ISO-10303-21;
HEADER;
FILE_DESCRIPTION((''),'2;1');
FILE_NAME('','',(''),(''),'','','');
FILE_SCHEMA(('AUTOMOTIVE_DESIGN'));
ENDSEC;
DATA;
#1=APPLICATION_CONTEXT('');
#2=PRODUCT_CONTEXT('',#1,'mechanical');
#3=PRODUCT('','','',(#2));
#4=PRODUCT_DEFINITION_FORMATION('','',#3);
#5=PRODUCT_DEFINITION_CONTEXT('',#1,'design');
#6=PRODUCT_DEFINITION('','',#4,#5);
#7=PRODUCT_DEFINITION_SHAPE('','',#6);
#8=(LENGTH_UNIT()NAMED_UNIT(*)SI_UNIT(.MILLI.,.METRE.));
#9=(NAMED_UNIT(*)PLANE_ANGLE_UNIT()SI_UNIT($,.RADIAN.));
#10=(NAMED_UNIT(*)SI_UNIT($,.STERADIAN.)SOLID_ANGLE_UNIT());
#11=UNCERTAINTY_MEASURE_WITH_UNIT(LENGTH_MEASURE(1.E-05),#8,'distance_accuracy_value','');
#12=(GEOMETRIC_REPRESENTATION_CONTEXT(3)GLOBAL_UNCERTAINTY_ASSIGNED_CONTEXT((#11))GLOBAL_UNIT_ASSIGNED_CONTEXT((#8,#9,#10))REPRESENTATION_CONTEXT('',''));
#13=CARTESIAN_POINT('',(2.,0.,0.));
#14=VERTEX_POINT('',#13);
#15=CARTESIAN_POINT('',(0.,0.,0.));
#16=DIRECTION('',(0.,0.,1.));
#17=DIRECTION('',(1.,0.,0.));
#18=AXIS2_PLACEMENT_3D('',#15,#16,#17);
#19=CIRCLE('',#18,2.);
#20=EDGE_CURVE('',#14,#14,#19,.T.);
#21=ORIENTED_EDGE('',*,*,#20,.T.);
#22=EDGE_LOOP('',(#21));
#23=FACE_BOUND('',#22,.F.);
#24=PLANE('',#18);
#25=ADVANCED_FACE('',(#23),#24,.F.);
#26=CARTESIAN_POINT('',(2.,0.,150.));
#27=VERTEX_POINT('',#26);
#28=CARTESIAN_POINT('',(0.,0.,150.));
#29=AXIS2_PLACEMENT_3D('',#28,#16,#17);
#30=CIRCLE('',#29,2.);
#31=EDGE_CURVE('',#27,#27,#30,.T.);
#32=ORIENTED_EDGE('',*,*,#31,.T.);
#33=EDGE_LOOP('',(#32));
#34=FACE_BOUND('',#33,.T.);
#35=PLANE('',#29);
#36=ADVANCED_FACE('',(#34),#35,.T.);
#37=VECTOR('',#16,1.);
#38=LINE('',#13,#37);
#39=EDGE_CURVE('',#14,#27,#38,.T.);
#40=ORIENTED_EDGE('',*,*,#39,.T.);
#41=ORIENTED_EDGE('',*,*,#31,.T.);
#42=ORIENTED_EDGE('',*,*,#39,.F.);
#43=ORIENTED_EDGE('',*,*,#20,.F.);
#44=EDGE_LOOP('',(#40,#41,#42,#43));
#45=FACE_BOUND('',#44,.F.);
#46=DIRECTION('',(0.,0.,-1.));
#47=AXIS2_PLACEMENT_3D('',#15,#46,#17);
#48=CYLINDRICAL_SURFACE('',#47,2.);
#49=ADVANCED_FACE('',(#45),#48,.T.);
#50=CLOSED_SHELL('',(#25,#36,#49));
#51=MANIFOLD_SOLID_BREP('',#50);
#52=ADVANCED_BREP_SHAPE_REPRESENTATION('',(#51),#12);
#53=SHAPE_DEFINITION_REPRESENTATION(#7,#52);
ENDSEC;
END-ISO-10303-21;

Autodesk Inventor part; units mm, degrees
ref_plane "YZ Plane" through (0, 0, 0) normal (1, 0, 0) x (0, 1, 0)
ref_plane "XZ Plane" through (0, 0, 0) normal (0, 1, 0) x (-1, 0, 0)
ref_plane "XY Plane" through (0, 0, 0) normal (0, 0, 1) x (1, 0, 0)
sketch "Sketch1" plane through (0, 0, 0) normal (0, 0, 1) x (1, 0, 0)
  circle A0 centre (0, 0) radius 2
  dimension "d0" = 4
extrude "Extrusion1" add sketch "Sketch1" along normal blind 150
thread "Thread1" size "TR8x1.5" class "7e" standard "ISO Metric Trapezoidal Threads" full length
properties part number "0005-10-10-1017 bara filetata 3"
